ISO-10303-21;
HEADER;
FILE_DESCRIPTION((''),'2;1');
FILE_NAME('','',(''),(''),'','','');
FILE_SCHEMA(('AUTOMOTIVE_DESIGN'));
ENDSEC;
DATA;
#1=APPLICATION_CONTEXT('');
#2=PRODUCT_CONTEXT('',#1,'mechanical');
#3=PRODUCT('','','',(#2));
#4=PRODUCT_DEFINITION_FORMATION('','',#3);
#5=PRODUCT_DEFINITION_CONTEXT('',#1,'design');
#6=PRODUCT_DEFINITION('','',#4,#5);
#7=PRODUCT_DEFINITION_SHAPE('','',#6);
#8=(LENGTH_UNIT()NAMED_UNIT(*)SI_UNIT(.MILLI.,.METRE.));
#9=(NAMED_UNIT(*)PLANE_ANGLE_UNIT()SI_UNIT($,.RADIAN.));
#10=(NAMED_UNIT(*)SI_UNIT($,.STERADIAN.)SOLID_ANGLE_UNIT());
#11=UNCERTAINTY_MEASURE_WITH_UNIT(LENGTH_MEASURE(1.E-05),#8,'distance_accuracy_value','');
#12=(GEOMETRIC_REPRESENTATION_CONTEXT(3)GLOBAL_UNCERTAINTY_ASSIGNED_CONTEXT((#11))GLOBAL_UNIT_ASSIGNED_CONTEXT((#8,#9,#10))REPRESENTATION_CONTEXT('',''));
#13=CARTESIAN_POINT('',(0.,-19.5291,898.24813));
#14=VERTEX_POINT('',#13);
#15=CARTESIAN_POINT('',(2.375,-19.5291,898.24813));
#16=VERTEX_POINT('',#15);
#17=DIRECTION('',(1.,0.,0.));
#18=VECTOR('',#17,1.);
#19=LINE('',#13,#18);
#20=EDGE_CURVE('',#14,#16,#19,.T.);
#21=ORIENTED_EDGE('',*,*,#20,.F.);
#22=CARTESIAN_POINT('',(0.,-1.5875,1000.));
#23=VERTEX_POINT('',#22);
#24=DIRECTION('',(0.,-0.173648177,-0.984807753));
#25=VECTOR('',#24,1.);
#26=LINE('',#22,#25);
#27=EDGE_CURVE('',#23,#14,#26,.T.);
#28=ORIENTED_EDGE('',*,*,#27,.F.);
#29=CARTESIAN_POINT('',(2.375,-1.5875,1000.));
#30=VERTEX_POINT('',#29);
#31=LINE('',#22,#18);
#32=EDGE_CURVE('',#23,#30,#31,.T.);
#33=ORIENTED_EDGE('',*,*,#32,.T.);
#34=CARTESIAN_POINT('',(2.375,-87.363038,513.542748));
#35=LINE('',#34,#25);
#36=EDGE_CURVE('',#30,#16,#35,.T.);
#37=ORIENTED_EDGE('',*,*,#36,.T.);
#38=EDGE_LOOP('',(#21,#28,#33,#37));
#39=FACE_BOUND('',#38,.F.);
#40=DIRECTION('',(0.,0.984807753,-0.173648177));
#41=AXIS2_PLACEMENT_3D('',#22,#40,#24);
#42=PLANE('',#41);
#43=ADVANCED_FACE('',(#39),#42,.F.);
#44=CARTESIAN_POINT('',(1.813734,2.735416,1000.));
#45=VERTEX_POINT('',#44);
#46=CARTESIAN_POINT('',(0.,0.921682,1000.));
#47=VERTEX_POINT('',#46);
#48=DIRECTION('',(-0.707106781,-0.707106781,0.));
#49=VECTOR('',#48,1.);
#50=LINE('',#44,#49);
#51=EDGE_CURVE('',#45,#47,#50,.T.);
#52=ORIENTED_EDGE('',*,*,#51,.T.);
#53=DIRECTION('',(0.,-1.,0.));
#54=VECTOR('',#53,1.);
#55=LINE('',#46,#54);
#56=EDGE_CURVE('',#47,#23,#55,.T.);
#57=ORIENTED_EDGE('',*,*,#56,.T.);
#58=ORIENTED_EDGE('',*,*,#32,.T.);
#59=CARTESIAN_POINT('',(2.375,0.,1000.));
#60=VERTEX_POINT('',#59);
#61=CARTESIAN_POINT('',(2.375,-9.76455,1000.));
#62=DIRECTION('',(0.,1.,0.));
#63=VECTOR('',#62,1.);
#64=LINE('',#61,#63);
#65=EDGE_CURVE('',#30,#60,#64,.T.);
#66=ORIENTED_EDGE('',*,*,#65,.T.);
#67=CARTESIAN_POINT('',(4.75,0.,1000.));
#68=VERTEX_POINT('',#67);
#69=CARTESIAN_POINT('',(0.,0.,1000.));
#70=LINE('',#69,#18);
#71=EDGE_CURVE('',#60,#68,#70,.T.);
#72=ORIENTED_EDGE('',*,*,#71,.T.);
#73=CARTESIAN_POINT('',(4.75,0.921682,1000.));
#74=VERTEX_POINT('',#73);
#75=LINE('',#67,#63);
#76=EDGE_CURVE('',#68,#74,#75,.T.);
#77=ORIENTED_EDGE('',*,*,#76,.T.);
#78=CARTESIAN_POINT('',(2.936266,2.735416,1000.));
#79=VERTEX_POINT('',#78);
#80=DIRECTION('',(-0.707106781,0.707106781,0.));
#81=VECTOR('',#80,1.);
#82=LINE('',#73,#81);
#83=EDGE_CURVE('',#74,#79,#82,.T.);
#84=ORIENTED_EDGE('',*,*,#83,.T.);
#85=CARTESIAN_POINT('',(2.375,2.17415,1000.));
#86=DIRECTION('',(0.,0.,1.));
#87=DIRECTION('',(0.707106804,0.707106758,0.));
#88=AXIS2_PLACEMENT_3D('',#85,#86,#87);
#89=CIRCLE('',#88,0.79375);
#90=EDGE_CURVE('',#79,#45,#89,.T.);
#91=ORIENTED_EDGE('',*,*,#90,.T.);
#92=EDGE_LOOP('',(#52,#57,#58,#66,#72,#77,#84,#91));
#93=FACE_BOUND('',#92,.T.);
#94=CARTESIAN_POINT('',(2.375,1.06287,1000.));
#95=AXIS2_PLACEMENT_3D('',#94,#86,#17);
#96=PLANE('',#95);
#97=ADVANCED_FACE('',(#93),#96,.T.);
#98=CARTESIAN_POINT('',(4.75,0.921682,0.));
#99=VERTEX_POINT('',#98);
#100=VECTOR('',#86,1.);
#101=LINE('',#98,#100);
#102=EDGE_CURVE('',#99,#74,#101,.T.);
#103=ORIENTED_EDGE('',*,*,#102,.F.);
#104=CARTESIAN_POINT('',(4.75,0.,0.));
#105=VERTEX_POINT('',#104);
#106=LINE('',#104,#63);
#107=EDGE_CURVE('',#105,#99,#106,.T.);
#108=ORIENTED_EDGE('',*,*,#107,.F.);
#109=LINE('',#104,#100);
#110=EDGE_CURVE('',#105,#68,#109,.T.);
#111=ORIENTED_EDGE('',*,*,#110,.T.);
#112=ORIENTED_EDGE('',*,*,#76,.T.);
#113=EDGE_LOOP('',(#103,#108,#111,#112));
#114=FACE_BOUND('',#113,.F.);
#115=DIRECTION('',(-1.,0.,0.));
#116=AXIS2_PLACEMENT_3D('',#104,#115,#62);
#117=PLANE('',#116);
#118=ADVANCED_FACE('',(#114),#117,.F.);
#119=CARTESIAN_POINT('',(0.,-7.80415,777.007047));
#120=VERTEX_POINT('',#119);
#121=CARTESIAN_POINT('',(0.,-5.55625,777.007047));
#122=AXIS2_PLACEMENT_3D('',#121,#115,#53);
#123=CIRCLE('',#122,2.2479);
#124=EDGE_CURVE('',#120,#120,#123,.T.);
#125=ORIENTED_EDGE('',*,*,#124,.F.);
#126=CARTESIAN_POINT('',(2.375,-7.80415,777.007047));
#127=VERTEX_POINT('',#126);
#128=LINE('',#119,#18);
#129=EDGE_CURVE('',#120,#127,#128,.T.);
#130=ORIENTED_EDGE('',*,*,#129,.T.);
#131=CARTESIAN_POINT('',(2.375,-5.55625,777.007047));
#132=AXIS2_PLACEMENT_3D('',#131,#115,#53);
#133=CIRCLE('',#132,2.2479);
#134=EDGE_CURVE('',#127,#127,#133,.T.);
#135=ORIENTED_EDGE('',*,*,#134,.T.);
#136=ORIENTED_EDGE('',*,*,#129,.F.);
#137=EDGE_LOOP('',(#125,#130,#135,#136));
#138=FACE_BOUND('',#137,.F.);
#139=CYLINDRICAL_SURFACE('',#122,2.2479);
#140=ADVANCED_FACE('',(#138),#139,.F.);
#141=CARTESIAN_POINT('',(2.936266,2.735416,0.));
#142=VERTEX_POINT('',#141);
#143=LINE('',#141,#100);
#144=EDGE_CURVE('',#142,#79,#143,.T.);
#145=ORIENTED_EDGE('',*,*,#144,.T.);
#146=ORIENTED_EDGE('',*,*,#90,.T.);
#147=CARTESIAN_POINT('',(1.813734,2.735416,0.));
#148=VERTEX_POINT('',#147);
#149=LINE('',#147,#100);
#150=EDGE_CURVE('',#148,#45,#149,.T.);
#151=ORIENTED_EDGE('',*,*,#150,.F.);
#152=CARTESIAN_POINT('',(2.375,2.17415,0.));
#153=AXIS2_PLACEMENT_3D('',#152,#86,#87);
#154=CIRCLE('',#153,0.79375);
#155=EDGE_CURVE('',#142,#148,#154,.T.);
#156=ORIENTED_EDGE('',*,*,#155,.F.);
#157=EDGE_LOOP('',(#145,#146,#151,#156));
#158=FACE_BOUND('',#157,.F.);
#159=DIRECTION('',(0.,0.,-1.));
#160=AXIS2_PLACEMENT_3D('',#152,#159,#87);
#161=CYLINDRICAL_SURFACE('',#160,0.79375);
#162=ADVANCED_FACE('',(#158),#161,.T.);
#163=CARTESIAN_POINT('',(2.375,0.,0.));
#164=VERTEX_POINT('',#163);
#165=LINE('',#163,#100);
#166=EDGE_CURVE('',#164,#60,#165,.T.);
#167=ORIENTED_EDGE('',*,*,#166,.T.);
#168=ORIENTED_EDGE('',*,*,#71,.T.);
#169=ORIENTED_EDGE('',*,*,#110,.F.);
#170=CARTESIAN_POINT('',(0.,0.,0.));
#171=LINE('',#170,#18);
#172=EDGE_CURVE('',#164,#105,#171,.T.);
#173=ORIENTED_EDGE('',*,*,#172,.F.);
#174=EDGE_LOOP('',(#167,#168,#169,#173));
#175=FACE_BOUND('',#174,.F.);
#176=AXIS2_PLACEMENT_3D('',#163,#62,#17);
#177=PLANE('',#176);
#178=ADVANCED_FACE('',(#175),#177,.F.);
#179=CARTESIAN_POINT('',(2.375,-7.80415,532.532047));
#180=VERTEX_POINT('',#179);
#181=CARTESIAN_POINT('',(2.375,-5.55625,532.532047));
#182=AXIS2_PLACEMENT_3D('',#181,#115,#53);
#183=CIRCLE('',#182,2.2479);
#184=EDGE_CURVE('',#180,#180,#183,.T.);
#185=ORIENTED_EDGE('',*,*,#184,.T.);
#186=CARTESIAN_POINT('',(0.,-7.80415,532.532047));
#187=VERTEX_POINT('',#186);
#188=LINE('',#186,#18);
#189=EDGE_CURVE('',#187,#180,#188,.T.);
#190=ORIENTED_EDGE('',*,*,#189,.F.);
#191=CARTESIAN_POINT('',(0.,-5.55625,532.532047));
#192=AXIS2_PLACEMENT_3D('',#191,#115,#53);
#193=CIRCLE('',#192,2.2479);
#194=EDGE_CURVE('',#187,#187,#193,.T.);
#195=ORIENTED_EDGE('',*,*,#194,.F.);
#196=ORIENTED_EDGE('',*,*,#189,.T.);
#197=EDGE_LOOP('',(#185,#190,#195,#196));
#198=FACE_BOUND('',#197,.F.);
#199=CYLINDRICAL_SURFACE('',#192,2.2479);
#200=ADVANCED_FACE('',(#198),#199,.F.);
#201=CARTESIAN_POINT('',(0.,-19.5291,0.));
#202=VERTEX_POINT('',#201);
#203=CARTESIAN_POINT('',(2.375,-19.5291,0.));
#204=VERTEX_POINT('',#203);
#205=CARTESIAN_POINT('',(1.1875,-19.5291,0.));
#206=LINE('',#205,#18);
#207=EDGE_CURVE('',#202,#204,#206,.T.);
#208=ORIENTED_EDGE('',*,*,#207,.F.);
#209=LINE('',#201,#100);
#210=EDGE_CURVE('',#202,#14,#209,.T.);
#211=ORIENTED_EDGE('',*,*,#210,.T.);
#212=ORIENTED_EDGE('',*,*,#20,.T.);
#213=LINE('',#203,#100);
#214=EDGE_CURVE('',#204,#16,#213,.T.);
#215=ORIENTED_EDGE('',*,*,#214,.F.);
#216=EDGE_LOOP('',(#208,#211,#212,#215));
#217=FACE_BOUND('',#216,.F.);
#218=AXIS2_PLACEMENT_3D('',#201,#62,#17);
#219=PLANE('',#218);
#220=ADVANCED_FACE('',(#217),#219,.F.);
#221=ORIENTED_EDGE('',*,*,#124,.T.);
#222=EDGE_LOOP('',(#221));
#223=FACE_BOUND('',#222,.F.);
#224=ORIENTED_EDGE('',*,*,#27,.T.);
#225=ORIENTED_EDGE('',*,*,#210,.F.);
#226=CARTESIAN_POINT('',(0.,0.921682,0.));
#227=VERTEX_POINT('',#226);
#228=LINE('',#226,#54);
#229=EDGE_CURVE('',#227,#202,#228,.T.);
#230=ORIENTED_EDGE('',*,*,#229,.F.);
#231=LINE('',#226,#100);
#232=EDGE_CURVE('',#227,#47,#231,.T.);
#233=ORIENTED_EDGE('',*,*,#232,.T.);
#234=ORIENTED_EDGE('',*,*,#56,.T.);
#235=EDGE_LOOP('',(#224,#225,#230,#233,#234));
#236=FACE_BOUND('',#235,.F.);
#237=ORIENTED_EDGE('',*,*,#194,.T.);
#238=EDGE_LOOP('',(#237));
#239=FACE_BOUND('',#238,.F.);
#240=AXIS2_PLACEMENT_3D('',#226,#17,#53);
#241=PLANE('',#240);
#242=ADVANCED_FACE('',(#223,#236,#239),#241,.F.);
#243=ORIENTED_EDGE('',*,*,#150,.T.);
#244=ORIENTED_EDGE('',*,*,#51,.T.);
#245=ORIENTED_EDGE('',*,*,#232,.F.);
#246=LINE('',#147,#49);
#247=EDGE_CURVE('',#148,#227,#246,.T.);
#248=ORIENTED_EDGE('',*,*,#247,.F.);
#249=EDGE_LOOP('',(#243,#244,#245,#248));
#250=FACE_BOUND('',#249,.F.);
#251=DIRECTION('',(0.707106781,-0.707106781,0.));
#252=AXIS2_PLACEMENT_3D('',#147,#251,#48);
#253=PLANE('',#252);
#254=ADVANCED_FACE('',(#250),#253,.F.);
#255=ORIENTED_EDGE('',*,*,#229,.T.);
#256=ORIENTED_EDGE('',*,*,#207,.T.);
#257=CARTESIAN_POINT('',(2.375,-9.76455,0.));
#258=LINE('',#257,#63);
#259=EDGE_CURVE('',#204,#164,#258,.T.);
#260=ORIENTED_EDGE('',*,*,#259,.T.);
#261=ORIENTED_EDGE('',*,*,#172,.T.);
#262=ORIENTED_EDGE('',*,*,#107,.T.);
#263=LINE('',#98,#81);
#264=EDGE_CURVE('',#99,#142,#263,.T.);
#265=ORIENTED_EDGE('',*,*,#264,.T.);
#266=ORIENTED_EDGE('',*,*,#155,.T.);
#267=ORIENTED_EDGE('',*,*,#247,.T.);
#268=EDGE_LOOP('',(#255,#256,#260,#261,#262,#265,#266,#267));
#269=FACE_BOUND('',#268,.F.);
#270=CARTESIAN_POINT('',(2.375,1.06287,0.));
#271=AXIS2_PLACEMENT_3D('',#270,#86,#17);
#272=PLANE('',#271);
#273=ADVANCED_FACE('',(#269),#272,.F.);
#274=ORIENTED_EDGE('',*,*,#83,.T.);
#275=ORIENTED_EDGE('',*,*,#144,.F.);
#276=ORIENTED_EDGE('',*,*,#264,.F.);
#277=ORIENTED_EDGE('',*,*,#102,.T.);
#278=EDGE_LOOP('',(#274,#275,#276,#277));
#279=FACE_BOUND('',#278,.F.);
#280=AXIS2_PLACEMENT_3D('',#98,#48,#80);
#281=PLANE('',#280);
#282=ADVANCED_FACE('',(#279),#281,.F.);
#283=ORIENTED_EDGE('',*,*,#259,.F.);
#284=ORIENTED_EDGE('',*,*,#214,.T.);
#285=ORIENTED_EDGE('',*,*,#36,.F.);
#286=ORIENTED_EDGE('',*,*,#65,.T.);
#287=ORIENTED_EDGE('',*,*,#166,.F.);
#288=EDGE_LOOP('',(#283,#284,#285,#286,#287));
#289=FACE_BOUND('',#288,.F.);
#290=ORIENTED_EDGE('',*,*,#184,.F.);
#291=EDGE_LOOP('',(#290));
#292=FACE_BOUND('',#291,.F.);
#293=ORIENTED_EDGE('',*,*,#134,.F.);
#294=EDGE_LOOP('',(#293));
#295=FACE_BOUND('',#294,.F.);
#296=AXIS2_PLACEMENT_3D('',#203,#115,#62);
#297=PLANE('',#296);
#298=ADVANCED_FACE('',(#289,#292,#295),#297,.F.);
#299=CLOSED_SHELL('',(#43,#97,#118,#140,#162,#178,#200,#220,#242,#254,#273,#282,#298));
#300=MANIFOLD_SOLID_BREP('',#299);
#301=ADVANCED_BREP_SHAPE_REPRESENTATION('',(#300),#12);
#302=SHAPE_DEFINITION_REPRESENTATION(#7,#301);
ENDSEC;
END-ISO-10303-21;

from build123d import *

# Parameters (mm, degrees)
F0_W     = 2.375
F0_H     = 19.5291
F1_DEPTH = 1000
F2_R     = 2.2479
F3_DEPTH = 4.75


with BuildPart() as f1:
    # F0 (on Top) → F1 (new body)
    with BuildSketch(Plane.XY):
        with BuildLine():
            Line((0, 0.921682), (0, 0))
            Line((0, 0), (2.375, 0))
            Line((2.375, 0), (4.75, 0))
            Line((4.75, 0), (4.75, 0.921682))
            Line((4.75, 0.921682), (2.936266, 2.735416))
            ThreePointArc((2.936266, 2.735416), (2.375, 2.9679), (1.813734, 2.735416))
            Line((1.813734, 2.735416), (0, 0.921682))
        make_face()
        with Locations((1.1875, -9.76455)):
            Rectangle(F0_W, F0_H)
    extrude(amount=F1_DEPTH)

    # F2 (on face) → F3 (cut, through all)
    with BuildSketch(Plane(origin=(0, 0, 0), x_dir=(0, -1, 0), z_dir=(-1, 0, 0))):
        Polygon((19.5291, 898.24813), (19.5291, 1000), (1.5875, 1000), align=None)
        with Locations((5.55625, 777.007047)):
            Circle(F2_R)
        with Locations((5.55625, 532.532047)):
            Circle(F2_R)
    extrude(amount=-F3_DEPTH, mode=Mode.SUBTRACT)


solid = f1.part
